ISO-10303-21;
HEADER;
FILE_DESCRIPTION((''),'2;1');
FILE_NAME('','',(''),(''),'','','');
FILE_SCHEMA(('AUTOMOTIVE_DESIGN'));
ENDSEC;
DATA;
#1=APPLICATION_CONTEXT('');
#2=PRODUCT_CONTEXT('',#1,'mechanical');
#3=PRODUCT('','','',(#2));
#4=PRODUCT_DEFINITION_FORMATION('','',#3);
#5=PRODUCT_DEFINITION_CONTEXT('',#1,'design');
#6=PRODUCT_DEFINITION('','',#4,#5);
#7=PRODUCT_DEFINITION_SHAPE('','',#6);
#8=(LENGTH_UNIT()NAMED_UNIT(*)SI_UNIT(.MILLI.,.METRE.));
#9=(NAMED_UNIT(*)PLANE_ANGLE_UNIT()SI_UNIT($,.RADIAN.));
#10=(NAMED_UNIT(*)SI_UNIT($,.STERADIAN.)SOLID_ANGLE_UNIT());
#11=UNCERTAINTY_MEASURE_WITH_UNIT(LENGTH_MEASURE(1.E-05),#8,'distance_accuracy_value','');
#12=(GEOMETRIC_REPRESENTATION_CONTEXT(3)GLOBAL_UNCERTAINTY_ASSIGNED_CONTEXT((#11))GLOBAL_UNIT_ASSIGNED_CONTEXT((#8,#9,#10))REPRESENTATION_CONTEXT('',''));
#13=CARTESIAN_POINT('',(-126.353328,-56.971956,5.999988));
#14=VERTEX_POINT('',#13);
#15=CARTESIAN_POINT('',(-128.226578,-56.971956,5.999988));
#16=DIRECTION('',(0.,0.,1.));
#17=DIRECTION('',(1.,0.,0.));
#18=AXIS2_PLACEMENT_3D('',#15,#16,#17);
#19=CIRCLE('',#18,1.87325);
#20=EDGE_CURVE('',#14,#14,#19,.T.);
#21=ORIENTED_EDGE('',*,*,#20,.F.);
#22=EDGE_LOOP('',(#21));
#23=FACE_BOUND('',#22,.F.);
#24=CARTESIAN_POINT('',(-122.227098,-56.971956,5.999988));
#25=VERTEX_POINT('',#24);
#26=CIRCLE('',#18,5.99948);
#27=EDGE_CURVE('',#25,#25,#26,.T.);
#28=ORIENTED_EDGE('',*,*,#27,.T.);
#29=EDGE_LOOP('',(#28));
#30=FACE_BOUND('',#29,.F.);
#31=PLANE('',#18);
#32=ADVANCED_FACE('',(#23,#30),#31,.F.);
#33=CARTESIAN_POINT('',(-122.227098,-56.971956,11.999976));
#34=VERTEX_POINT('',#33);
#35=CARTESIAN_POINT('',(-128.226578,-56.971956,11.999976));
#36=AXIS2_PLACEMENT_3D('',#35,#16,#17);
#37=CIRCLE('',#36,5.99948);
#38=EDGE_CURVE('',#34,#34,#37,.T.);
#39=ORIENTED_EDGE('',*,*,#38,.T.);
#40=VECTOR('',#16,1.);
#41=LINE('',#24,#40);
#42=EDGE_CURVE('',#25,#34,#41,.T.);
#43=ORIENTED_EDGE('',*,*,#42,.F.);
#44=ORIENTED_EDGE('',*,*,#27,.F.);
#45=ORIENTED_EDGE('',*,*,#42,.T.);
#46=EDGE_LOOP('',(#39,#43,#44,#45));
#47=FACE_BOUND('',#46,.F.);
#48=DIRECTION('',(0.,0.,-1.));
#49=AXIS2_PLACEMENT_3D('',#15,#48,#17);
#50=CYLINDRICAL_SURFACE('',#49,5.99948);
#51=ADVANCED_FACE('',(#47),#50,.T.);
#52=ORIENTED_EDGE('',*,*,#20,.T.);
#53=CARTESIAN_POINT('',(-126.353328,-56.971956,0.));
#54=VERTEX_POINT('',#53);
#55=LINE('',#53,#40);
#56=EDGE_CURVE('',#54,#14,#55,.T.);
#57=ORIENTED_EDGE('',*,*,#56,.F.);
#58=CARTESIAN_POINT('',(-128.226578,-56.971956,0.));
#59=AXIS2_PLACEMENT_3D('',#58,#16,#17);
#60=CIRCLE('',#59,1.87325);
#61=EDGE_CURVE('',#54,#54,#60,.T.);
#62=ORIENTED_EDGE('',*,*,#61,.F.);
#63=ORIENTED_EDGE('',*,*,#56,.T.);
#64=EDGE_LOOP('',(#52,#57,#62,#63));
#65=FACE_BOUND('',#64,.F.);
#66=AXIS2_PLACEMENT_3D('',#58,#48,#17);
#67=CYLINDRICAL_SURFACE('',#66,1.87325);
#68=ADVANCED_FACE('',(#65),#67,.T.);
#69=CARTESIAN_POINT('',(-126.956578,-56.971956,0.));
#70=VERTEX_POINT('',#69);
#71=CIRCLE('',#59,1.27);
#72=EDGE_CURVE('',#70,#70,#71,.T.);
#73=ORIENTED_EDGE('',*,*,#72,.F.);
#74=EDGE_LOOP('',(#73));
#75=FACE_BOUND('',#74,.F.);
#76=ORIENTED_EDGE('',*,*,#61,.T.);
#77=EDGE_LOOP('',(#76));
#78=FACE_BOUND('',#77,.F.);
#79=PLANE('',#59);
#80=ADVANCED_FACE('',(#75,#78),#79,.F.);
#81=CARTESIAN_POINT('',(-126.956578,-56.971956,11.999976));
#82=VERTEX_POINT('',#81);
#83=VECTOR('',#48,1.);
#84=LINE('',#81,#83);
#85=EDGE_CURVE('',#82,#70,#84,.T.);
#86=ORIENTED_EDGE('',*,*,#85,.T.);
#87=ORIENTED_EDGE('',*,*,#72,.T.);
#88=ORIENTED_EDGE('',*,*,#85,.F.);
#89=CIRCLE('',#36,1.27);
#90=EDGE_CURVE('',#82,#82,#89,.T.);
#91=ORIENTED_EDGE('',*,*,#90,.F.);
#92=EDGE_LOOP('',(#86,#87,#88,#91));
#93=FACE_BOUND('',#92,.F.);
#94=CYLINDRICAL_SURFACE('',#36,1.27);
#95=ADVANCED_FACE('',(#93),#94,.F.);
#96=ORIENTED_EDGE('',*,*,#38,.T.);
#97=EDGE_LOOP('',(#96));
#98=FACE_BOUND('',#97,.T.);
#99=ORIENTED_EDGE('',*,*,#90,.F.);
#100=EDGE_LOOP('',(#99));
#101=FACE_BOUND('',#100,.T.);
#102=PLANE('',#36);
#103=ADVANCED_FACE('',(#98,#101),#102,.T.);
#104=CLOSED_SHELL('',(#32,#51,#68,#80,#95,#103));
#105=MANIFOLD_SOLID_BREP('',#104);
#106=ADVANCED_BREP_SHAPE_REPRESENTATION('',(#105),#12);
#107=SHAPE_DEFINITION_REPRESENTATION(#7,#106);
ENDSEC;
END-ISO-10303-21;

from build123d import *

# Parameters (mm, degrees)
F0_R     = 1.87325
F1_DEPTH = 5.999988
F2_R     = 5.99948
F3_DEPTH = 5.999988
F4_R     = 1.27
F5_DEPTH = 12.000976


with BuildPart() as f1:
    # F0 (on Top) → F1 (new body)
    with BuildSketch(Plane.XY):
        with Locations((-128.226578, -56.971956)):
            Circle(F0_R)
    extrude(amount=F1_DEPTH)

    # F2 (on face) → F3 (join)
    with BuildSketch(Plane.XY.offset(5.999988)):
        with Locations((-128.226578, -56.971956)):
            Circle(F2_R)
    extrude(amount=F3_DEPTH)

    # F4 (on face) → F5 (cut, through all)
    with BuildSketch(Plane.XY.offset(11.999976)):
        with Locations((-128.226578, -56.971956)):
            Circle(F4_R)
    extrude(amount=-F5_DEPTH, mode=Mode.SUBTRACT)


solid = f1.part
